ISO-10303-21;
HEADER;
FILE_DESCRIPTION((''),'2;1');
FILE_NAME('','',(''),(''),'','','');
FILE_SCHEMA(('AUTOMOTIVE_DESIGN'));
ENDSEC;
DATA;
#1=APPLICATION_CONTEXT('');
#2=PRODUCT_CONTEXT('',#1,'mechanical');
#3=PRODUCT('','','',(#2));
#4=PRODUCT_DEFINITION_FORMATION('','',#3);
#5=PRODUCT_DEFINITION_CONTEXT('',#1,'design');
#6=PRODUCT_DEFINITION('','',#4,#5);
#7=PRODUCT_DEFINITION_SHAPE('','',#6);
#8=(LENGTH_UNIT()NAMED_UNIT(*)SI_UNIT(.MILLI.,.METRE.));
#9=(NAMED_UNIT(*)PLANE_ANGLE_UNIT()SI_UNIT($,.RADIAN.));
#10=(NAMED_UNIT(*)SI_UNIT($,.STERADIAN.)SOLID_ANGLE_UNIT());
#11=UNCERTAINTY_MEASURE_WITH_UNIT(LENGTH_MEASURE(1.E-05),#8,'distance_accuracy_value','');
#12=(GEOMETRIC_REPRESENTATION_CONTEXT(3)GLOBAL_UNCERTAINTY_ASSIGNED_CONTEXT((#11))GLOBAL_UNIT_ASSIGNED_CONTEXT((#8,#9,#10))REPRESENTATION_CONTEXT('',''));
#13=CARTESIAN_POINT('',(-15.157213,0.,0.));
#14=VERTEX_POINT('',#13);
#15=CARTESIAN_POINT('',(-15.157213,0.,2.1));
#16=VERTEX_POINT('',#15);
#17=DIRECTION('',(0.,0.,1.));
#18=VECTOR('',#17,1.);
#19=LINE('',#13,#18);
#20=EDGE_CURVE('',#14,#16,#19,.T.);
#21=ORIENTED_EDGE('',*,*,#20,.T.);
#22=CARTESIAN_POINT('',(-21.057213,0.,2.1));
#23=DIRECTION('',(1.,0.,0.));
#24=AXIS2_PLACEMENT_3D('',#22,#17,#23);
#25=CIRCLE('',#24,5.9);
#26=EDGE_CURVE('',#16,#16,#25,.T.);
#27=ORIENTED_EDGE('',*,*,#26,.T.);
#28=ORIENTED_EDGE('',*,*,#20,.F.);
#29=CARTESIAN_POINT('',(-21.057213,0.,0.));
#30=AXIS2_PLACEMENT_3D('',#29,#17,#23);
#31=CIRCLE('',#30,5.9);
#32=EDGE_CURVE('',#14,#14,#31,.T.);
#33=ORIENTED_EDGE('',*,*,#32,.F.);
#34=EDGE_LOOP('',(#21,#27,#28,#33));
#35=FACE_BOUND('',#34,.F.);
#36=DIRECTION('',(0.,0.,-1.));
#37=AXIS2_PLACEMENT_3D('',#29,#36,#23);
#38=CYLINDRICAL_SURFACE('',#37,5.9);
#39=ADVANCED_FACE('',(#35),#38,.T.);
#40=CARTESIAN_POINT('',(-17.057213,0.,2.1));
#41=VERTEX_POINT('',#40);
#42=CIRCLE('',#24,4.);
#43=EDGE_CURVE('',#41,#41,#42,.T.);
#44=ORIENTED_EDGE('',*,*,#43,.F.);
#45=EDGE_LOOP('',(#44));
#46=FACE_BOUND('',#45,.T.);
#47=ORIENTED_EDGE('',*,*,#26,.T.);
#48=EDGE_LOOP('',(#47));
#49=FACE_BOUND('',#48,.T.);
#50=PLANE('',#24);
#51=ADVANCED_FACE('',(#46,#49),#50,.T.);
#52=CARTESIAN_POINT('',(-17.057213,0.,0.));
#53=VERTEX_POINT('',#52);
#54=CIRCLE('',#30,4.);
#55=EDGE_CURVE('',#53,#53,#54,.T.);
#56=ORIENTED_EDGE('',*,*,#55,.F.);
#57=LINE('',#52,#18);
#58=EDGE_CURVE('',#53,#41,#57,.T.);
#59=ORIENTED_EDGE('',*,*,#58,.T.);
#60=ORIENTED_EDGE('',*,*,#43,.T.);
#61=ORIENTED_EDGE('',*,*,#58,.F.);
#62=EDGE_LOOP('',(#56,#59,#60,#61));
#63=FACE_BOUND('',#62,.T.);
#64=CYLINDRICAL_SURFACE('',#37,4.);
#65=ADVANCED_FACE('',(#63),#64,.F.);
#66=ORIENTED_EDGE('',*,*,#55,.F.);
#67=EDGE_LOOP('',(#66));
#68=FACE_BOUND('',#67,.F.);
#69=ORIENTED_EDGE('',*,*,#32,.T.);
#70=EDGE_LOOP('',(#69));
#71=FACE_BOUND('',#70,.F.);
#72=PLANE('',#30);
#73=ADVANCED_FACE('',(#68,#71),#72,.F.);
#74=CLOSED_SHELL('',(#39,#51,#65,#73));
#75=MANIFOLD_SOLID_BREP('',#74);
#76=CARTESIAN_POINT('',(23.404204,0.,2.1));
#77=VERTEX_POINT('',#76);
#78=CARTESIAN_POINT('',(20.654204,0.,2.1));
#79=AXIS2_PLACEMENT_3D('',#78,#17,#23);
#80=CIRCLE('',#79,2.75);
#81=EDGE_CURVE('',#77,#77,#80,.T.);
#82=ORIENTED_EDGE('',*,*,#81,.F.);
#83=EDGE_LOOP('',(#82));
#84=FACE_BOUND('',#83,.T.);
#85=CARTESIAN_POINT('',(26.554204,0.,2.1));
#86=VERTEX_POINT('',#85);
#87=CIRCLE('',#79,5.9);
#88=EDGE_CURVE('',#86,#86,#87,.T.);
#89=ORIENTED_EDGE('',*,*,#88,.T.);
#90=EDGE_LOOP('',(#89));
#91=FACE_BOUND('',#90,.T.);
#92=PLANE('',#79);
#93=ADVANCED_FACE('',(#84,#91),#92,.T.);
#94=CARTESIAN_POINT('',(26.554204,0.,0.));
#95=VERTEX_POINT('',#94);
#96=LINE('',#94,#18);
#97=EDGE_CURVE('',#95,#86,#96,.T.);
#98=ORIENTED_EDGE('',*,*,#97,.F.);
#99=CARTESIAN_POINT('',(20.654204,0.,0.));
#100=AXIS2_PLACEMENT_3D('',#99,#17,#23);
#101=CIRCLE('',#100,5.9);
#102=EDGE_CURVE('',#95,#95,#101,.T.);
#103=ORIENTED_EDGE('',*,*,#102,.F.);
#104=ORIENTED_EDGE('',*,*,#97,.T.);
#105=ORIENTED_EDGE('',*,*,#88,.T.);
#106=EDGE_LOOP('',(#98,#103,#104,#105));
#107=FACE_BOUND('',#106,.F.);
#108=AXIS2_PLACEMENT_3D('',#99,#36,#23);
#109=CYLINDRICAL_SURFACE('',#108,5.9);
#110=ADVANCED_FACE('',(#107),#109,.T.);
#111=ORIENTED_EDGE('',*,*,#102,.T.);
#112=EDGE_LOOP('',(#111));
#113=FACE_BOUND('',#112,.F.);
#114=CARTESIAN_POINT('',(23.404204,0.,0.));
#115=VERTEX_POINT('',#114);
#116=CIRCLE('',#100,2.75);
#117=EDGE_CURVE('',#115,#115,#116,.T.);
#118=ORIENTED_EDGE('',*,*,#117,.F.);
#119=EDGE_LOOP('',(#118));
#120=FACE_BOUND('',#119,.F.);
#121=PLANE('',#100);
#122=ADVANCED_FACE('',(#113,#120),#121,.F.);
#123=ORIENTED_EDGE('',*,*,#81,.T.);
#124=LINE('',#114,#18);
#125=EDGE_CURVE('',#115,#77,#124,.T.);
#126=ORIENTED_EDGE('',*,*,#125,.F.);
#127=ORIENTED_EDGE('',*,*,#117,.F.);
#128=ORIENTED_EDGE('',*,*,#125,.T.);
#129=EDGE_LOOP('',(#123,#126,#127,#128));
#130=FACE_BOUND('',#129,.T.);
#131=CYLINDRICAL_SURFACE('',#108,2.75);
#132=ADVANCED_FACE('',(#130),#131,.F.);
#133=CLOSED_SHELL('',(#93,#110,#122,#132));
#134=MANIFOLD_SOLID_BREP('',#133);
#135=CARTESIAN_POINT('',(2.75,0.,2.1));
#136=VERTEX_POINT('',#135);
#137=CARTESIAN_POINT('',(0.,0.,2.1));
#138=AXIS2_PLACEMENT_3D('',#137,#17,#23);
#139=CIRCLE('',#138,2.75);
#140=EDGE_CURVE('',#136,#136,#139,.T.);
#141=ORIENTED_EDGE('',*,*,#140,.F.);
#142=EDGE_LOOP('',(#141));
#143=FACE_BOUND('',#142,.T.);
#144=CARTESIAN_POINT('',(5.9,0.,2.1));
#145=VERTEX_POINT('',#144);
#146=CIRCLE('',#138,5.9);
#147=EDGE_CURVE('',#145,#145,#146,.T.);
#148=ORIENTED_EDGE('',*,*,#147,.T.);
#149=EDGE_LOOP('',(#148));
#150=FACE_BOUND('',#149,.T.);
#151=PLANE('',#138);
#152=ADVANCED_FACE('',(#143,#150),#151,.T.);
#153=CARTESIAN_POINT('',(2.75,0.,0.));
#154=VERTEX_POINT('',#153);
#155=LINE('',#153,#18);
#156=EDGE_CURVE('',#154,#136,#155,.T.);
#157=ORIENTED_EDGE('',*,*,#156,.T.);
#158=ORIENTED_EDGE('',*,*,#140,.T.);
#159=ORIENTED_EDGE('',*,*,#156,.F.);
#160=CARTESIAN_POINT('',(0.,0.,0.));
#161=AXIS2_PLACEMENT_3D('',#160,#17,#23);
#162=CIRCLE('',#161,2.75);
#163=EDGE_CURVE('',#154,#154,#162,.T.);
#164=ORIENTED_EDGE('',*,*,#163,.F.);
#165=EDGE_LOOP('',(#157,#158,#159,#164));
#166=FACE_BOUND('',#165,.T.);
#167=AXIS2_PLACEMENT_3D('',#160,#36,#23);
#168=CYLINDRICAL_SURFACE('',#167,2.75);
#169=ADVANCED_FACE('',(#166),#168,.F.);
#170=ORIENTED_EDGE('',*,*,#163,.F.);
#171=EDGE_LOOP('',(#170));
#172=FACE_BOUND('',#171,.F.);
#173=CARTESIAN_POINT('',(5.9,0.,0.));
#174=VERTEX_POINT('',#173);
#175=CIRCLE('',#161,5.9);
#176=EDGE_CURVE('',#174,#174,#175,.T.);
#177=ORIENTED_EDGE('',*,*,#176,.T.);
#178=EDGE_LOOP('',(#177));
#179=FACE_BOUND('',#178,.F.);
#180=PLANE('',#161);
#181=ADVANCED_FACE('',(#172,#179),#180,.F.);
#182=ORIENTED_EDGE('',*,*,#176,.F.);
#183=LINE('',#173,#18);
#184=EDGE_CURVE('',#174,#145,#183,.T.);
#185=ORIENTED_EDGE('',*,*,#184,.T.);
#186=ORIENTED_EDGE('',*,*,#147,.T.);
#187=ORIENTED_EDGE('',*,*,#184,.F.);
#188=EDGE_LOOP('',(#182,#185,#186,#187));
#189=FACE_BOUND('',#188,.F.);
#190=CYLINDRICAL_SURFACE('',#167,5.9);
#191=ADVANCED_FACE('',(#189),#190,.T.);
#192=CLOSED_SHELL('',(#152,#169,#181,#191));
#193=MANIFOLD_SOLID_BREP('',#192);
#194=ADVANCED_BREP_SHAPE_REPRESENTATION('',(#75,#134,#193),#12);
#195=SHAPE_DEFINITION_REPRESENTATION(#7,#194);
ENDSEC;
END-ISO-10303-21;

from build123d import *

# Parameters (mm, degrees)
F0_R     = 5.9
F0_R_2   = 2.75
F0_R_3   = 4
F1_DEPTH = 2.1


with BuildPart() as f1:
    # F0 (on Top) → F1 (new body)
    with BuildSketch(Plane.XY):
        Circle(F0_R)
        Circle(F0_R_2, mode=Mode.SUBTRACT)
        with Locations((-21.057213, 0)):
            Circle(F0_R)
        with Locations((-21.057213, 0)):
            Circle(F0_R_3, mode=Mode.SUBTRACT)
        with Locations((20.654204, 0)):
            Circle(F0_R)
        with Locations((20.654204, 0)):
            Circle(F0_R_2, mode=Mode.SUBTRACT)
    extrude(amount=F1_DEPTH)


solid = f1.part
